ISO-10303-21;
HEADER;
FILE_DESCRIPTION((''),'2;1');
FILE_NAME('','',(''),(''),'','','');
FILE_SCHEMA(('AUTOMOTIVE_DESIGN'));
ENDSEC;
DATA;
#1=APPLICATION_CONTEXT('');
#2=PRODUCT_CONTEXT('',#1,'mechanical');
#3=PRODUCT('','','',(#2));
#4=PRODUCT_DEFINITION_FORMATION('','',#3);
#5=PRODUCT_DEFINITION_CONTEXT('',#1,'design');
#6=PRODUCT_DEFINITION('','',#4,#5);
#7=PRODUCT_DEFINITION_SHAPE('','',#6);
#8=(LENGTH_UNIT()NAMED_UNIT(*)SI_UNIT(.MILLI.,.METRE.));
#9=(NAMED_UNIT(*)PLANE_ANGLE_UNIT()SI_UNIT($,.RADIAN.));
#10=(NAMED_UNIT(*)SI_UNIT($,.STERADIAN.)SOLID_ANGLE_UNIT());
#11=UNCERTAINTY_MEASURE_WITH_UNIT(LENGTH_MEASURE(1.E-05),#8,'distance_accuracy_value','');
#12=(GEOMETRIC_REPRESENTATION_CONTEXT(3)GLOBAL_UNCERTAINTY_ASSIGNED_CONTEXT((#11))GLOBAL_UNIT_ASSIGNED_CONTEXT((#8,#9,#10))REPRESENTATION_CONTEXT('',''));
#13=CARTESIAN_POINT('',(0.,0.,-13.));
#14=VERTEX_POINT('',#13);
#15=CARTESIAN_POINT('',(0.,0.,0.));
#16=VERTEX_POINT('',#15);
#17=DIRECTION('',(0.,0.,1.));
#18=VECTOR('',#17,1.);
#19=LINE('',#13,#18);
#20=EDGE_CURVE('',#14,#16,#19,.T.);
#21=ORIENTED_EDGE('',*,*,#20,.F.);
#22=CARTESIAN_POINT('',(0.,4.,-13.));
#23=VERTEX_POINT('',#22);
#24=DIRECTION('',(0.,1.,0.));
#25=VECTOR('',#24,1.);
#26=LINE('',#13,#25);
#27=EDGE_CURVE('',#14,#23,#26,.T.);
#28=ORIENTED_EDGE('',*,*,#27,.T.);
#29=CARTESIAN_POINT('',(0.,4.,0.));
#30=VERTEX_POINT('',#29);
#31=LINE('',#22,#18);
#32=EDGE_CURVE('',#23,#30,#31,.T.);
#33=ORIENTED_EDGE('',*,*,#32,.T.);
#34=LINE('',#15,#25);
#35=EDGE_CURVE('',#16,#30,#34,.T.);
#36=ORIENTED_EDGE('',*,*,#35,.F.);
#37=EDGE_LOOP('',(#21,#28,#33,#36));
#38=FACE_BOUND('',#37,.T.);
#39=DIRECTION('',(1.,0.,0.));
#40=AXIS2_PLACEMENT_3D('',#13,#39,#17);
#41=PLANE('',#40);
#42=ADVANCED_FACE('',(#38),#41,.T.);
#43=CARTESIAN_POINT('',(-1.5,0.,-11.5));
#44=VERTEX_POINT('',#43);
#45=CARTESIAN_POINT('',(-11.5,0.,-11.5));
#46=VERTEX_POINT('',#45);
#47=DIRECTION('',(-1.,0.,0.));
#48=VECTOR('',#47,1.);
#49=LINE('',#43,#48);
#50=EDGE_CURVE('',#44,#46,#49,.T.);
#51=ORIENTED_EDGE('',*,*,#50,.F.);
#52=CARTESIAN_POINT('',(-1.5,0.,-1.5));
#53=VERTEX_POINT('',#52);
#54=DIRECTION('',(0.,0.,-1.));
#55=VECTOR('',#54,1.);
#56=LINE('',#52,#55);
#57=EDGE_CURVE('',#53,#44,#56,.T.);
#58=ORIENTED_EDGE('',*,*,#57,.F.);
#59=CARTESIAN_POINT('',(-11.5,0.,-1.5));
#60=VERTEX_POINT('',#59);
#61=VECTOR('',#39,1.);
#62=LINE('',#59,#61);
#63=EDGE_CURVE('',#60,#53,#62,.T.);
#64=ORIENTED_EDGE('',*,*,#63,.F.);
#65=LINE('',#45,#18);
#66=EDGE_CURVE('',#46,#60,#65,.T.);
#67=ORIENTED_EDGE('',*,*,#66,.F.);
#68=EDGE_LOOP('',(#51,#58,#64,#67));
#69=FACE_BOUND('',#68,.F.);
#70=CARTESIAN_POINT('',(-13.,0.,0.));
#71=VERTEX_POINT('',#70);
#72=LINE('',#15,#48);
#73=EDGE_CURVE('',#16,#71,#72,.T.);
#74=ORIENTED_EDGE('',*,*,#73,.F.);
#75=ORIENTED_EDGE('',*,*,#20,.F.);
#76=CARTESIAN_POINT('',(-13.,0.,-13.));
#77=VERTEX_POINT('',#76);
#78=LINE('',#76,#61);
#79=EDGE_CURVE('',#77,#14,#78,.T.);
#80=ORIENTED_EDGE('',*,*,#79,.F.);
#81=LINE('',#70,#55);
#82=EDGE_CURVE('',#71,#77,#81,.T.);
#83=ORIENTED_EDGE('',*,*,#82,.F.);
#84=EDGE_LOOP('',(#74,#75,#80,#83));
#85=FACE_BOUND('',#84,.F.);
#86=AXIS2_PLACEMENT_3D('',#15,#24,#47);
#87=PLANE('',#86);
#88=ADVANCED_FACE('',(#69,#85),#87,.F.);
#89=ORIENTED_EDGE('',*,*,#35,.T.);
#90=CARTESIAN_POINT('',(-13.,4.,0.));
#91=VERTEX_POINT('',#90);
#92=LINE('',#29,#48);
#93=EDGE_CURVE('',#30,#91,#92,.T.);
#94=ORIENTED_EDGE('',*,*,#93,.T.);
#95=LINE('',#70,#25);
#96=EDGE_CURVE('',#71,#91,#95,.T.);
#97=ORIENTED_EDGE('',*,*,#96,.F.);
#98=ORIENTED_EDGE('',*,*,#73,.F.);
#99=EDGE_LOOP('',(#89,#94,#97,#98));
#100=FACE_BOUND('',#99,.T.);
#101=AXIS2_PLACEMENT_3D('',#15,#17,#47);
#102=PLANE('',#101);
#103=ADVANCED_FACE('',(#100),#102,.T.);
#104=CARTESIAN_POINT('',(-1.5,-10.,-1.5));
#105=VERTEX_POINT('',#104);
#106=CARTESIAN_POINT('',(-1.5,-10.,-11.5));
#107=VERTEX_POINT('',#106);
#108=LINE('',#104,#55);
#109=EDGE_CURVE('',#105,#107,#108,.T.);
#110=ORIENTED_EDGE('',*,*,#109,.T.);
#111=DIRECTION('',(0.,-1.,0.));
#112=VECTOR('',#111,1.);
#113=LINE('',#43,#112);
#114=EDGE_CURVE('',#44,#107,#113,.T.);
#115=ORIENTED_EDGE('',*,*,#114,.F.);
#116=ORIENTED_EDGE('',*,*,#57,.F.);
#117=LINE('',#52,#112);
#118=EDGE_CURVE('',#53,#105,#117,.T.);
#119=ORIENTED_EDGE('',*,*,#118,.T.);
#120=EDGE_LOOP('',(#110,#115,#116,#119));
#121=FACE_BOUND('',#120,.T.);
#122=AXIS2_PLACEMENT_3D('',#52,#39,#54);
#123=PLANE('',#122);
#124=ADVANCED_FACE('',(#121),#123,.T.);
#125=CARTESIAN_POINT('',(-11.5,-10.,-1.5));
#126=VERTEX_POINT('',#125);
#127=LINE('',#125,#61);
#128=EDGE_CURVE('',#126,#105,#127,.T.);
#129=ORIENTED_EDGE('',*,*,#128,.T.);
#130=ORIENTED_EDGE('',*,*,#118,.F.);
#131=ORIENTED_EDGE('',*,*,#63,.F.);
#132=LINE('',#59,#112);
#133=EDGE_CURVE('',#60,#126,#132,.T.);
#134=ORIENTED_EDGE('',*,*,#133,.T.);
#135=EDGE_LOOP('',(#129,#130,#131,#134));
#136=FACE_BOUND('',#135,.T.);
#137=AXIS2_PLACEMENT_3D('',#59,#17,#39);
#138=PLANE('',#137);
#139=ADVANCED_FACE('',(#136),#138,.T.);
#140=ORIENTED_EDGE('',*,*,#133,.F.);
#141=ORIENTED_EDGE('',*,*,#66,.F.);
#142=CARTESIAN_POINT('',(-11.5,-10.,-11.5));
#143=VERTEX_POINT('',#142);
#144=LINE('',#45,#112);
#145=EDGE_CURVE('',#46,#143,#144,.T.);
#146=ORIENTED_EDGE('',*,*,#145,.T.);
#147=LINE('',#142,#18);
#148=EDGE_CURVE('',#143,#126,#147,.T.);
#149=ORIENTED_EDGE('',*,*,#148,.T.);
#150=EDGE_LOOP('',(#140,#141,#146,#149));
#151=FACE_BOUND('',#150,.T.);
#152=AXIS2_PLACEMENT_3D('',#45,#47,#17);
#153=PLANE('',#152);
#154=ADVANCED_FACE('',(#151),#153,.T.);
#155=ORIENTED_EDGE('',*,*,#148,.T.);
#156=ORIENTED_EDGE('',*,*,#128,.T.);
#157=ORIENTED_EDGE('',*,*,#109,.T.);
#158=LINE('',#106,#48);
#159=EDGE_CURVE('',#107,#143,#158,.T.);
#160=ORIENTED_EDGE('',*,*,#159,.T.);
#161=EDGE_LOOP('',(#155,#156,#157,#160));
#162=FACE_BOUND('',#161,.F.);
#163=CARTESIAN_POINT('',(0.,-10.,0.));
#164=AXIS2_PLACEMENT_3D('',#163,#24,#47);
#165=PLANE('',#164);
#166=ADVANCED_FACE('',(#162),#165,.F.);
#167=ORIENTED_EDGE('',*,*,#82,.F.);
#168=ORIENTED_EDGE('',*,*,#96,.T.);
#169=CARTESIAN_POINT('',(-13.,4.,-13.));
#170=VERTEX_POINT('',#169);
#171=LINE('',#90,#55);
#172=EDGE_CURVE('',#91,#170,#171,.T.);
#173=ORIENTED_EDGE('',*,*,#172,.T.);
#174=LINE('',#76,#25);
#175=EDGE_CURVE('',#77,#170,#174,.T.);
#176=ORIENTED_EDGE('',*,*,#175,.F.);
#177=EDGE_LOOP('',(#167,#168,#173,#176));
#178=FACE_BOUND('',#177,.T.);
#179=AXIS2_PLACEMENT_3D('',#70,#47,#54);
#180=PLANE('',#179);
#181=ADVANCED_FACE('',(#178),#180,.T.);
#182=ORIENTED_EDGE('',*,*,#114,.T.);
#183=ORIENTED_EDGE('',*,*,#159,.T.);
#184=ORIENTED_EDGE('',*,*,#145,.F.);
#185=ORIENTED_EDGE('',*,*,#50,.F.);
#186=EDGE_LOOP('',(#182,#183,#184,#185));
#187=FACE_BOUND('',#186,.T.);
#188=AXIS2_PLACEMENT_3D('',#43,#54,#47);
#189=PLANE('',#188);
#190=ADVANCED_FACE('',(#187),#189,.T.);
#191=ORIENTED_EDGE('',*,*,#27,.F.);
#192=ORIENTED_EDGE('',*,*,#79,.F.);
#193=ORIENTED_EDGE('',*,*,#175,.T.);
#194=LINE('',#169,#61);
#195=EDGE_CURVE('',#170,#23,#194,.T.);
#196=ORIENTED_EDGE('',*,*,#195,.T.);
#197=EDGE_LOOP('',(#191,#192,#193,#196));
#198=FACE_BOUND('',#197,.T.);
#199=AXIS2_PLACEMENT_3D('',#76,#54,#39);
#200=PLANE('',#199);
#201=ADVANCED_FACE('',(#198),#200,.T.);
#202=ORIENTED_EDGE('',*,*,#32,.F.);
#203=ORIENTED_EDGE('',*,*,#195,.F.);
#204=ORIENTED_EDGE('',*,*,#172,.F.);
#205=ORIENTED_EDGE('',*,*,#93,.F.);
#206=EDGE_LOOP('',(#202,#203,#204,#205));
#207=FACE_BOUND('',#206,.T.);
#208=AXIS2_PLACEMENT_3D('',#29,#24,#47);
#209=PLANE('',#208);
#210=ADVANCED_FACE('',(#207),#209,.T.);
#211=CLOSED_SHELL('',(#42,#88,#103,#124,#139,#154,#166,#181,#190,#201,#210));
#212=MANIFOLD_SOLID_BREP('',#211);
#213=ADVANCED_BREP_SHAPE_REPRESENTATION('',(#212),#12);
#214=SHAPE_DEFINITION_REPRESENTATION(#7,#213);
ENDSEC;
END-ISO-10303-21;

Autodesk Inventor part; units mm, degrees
ref_plane "YZ Plane" through (0, 0, 0) normal (1, 0, 0) x (0, 1, 0)
ref_plane "XZ Plane" through (0, 0, 0) normal (0, 1, 0) x (-1, 0, 0)
ref_plane "XY Plane" through (0, 0, 0) normal (0, 0, 1) x (1, 0, 0)
sketch "Sketch1" plane through (0, 0, 0) normal (0, 1, 0) x (-1, 0, 0)
  line L0 (0, 0) -> (13, 0)
  line L1 (13, 0) -> (13, -13)
  line L2 (13, -13) -> (0, -13)
  line L3 (0, -13) -> (0, 0)
  line L4 (11.5, -1.5) -> (1.5, -1.5)
  line L5 (1.5, -1.5) -> (1.5, -11.5)
  line L6 (1.5, -11.5) -> (11.5, -11.5)
  line L7 (11.5, -11.5) -> (11.5, -1.5)
  line L8 (6.5, -3.7136) -> (6.5, -8.8552) construction
  line L9 (8.9776, -6.5) -> (3.1629, -6.5) construction
  dimension "d10" = 13
  dimension "d11" = 13
  dimension "d12" = 10
  dimension "d13" = 10
extrude "Extrusion3" add sketch "Sketch1" along normal blind 4 contours L0 L1 L2 L3 | L7 L6 L5 L4
extrude "Extrusion5" add sketch "Sketch1" against normal blind 10 contours L7 L6 L5 L4
properties part number "Cuvette_cover"
